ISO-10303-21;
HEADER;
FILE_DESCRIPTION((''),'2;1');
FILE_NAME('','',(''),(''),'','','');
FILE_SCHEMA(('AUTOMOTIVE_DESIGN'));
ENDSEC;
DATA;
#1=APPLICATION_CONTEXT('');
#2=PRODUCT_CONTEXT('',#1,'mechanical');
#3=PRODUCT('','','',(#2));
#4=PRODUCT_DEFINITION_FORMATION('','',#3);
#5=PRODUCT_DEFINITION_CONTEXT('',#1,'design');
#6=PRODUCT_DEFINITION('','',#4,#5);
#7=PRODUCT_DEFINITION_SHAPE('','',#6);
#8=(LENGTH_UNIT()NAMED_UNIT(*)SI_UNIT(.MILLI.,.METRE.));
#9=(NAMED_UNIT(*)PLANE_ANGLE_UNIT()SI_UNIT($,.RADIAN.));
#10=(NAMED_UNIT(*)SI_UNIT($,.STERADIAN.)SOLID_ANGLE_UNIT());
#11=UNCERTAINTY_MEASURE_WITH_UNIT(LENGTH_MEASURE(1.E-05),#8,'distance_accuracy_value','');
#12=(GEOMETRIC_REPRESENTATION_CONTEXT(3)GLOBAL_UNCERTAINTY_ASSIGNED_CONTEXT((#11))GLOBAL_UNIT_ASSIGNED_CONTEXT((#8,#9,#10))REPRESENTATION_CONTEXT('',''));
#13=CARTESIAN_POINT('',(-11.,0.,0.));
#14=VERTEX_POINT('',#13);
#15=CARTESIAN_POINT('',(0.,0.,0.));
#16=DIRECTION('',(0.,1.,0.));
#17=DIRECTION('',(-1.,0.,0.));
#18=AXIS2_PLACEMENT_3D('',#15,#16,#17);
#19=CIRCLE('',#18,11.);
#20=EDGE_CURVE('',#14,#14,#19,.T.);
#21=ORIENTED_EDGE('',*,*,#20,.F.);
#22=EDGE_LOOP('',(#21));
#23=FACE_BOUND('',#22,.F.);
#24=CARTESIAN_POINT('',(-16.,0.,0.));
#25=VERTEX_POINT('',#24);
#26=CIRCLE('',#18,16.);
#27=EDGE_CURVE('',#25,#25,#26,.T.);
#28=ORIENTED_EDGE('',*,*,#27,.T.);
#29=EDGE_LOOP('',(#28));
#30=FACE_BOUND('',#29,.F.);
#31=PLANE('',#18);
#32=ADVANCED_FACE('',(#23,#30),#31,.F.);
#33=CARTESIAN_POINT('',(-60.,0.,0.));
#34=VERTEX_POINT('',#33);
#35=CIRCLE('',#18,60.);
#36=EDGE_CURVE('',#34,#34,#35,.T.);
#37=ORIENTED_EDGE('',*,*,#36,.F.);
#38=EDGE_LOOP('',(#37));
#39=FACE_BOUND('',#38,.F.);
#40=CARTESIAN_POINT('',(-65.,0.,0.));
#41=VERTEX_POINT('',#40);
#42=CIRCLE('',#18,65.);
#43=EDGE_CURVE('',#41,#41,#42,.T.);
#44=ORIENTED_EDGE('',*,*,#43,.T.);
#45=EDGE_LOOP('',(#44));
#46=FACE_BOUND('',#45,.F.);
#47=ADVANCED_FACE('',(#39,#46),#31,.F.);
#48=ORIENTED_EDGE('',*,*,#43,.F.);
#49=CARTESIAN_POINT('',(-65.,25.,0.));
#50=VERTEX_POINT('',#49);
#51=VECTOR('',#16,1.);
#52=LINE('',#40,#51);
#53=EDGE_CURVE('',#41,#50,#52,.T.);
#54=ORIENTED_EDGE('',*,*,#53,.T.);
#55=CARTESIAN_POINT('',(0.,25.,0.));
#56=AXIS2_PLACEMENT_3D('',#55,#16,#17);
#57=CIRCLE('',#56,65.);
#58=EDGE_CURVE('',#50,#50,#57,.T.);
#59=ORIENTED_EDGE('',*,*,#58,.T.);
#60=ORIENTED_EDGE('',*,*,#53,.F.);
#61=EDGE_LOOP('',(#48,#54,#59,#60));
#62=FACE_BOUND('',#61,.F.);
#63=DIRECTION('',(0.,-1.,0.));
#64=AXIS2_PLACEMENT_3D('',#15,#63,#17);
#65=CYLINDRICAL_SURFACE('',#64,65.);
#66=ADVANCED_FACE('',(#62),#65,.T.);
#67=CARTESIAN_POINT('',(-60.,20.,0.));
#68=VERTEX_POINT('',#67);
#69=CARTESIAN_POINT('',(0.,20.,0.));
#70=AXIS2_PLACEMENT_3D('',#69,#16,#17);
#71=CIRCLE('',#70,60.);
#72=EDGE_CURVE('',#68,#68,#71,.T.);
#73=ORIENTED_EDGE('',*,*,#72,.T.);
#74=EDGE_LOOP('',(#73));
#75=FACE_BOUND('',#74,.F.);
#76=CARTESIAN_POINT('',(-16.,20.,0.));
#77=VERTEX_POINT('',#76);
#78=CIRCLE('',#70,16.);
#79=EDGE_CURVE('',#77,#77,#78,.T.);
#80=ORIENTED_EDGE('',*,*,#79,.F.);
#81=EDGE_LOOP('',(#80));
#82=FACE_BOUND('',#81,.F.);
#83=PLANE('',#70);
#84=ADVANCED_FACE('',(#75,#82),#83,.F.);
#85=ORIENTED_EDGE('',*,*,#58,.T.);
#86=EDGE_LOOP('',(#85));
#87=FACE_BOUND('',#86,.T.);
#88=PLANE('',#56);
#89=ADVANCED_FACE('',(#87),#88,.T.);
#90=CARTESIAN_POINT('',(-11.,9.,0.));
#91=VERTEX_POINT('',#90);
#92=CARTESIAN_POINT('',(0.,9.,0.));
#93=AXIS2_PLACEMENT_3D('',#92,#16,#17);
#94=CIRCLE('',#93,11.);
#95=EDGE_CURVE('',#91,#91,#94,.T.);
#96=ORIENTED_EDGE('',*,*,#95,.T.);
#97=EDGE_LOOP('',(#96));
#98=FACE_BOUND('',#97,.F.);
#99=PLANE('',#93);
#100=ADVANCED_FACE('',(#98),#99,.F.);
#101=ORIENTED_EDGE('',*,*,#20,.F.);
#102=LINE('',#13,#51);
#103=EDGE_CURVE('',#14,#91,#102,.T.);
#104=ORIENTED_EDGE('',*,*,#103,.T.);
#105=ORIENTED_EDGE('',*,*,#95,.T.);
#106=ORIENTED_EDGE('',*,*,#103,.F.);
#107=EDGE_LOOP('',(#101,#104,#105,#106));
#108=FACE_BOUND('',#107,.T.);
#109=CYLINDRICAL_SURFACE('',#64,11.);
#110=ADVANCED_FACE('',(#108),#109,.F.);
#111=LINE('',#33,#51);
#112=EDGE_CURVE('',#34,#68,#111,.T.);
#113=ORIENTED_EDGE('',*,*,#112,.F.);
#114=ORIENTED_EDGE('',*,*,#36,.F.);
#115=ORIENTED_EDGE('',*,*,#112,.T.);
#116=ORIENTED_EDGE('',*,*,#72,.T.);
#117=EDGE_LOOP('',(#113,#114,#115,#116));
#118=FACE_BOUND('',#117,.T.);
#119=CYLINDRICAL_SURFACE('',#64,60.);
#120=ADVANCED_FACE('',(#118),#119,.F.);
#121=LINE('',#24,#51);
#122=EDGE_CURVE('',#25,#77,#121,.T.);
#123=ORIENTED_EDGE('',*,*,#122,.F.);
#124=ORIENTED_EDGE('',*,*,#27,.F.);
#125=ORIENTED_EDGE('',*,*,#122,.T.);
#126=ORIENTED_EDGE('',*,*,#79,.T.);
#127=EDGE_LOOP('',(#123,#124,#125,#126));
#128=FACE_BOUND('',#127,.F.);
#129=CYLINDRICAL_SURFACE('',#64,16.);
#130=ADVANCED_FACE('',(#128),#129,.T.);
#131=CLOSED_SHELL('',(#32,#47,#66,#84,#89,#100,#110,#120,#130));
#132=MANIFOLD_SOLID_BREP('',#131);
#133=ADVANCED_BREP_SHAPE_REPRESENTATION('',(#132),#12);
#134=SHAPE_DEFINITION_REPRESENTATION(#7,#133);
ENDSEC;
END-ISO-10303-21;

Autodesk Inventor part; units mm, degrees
ref_plane "YZ Plane" through (0, 0, 0) normal (1, 0, 0) x (0, 1, 0)
ref_plane "XZ Plane" through (0, 0, 0) normal (0, 1, 0) x (-1, 0, 0)
ref_plane "XY Plane" through (0, 0, 0) normal (0, 0, 1) x (1, 0, 0)
sketch "スケッチ1" plane through (0, 0, 0) normal (0, 1, 0) x (-1, 0, 0)
  circle A0 centre (0, 0) radius 65
  circle A1 centre (0, 0) radius 60
  circle A2 centre (0, 0) radius 16
  circle A3 centre (0, 0) radius 11
  dimension "d0" = 130
  dimension "d3" = 120
  dimension "d4" = 32
  dimension "d5" = 22
extrude "押し出し1" add sketch "スケッチ1" along normal blind 25 contours A0 | A1 | A2 | A3
extrude "押し出し2" cut sketch "スケッチ1" along normal blind 20 contours A1
extrude "押し出し3" cut sketch "スケッチ1" along normal blind 9 contours A3
properties part number "18-1"
